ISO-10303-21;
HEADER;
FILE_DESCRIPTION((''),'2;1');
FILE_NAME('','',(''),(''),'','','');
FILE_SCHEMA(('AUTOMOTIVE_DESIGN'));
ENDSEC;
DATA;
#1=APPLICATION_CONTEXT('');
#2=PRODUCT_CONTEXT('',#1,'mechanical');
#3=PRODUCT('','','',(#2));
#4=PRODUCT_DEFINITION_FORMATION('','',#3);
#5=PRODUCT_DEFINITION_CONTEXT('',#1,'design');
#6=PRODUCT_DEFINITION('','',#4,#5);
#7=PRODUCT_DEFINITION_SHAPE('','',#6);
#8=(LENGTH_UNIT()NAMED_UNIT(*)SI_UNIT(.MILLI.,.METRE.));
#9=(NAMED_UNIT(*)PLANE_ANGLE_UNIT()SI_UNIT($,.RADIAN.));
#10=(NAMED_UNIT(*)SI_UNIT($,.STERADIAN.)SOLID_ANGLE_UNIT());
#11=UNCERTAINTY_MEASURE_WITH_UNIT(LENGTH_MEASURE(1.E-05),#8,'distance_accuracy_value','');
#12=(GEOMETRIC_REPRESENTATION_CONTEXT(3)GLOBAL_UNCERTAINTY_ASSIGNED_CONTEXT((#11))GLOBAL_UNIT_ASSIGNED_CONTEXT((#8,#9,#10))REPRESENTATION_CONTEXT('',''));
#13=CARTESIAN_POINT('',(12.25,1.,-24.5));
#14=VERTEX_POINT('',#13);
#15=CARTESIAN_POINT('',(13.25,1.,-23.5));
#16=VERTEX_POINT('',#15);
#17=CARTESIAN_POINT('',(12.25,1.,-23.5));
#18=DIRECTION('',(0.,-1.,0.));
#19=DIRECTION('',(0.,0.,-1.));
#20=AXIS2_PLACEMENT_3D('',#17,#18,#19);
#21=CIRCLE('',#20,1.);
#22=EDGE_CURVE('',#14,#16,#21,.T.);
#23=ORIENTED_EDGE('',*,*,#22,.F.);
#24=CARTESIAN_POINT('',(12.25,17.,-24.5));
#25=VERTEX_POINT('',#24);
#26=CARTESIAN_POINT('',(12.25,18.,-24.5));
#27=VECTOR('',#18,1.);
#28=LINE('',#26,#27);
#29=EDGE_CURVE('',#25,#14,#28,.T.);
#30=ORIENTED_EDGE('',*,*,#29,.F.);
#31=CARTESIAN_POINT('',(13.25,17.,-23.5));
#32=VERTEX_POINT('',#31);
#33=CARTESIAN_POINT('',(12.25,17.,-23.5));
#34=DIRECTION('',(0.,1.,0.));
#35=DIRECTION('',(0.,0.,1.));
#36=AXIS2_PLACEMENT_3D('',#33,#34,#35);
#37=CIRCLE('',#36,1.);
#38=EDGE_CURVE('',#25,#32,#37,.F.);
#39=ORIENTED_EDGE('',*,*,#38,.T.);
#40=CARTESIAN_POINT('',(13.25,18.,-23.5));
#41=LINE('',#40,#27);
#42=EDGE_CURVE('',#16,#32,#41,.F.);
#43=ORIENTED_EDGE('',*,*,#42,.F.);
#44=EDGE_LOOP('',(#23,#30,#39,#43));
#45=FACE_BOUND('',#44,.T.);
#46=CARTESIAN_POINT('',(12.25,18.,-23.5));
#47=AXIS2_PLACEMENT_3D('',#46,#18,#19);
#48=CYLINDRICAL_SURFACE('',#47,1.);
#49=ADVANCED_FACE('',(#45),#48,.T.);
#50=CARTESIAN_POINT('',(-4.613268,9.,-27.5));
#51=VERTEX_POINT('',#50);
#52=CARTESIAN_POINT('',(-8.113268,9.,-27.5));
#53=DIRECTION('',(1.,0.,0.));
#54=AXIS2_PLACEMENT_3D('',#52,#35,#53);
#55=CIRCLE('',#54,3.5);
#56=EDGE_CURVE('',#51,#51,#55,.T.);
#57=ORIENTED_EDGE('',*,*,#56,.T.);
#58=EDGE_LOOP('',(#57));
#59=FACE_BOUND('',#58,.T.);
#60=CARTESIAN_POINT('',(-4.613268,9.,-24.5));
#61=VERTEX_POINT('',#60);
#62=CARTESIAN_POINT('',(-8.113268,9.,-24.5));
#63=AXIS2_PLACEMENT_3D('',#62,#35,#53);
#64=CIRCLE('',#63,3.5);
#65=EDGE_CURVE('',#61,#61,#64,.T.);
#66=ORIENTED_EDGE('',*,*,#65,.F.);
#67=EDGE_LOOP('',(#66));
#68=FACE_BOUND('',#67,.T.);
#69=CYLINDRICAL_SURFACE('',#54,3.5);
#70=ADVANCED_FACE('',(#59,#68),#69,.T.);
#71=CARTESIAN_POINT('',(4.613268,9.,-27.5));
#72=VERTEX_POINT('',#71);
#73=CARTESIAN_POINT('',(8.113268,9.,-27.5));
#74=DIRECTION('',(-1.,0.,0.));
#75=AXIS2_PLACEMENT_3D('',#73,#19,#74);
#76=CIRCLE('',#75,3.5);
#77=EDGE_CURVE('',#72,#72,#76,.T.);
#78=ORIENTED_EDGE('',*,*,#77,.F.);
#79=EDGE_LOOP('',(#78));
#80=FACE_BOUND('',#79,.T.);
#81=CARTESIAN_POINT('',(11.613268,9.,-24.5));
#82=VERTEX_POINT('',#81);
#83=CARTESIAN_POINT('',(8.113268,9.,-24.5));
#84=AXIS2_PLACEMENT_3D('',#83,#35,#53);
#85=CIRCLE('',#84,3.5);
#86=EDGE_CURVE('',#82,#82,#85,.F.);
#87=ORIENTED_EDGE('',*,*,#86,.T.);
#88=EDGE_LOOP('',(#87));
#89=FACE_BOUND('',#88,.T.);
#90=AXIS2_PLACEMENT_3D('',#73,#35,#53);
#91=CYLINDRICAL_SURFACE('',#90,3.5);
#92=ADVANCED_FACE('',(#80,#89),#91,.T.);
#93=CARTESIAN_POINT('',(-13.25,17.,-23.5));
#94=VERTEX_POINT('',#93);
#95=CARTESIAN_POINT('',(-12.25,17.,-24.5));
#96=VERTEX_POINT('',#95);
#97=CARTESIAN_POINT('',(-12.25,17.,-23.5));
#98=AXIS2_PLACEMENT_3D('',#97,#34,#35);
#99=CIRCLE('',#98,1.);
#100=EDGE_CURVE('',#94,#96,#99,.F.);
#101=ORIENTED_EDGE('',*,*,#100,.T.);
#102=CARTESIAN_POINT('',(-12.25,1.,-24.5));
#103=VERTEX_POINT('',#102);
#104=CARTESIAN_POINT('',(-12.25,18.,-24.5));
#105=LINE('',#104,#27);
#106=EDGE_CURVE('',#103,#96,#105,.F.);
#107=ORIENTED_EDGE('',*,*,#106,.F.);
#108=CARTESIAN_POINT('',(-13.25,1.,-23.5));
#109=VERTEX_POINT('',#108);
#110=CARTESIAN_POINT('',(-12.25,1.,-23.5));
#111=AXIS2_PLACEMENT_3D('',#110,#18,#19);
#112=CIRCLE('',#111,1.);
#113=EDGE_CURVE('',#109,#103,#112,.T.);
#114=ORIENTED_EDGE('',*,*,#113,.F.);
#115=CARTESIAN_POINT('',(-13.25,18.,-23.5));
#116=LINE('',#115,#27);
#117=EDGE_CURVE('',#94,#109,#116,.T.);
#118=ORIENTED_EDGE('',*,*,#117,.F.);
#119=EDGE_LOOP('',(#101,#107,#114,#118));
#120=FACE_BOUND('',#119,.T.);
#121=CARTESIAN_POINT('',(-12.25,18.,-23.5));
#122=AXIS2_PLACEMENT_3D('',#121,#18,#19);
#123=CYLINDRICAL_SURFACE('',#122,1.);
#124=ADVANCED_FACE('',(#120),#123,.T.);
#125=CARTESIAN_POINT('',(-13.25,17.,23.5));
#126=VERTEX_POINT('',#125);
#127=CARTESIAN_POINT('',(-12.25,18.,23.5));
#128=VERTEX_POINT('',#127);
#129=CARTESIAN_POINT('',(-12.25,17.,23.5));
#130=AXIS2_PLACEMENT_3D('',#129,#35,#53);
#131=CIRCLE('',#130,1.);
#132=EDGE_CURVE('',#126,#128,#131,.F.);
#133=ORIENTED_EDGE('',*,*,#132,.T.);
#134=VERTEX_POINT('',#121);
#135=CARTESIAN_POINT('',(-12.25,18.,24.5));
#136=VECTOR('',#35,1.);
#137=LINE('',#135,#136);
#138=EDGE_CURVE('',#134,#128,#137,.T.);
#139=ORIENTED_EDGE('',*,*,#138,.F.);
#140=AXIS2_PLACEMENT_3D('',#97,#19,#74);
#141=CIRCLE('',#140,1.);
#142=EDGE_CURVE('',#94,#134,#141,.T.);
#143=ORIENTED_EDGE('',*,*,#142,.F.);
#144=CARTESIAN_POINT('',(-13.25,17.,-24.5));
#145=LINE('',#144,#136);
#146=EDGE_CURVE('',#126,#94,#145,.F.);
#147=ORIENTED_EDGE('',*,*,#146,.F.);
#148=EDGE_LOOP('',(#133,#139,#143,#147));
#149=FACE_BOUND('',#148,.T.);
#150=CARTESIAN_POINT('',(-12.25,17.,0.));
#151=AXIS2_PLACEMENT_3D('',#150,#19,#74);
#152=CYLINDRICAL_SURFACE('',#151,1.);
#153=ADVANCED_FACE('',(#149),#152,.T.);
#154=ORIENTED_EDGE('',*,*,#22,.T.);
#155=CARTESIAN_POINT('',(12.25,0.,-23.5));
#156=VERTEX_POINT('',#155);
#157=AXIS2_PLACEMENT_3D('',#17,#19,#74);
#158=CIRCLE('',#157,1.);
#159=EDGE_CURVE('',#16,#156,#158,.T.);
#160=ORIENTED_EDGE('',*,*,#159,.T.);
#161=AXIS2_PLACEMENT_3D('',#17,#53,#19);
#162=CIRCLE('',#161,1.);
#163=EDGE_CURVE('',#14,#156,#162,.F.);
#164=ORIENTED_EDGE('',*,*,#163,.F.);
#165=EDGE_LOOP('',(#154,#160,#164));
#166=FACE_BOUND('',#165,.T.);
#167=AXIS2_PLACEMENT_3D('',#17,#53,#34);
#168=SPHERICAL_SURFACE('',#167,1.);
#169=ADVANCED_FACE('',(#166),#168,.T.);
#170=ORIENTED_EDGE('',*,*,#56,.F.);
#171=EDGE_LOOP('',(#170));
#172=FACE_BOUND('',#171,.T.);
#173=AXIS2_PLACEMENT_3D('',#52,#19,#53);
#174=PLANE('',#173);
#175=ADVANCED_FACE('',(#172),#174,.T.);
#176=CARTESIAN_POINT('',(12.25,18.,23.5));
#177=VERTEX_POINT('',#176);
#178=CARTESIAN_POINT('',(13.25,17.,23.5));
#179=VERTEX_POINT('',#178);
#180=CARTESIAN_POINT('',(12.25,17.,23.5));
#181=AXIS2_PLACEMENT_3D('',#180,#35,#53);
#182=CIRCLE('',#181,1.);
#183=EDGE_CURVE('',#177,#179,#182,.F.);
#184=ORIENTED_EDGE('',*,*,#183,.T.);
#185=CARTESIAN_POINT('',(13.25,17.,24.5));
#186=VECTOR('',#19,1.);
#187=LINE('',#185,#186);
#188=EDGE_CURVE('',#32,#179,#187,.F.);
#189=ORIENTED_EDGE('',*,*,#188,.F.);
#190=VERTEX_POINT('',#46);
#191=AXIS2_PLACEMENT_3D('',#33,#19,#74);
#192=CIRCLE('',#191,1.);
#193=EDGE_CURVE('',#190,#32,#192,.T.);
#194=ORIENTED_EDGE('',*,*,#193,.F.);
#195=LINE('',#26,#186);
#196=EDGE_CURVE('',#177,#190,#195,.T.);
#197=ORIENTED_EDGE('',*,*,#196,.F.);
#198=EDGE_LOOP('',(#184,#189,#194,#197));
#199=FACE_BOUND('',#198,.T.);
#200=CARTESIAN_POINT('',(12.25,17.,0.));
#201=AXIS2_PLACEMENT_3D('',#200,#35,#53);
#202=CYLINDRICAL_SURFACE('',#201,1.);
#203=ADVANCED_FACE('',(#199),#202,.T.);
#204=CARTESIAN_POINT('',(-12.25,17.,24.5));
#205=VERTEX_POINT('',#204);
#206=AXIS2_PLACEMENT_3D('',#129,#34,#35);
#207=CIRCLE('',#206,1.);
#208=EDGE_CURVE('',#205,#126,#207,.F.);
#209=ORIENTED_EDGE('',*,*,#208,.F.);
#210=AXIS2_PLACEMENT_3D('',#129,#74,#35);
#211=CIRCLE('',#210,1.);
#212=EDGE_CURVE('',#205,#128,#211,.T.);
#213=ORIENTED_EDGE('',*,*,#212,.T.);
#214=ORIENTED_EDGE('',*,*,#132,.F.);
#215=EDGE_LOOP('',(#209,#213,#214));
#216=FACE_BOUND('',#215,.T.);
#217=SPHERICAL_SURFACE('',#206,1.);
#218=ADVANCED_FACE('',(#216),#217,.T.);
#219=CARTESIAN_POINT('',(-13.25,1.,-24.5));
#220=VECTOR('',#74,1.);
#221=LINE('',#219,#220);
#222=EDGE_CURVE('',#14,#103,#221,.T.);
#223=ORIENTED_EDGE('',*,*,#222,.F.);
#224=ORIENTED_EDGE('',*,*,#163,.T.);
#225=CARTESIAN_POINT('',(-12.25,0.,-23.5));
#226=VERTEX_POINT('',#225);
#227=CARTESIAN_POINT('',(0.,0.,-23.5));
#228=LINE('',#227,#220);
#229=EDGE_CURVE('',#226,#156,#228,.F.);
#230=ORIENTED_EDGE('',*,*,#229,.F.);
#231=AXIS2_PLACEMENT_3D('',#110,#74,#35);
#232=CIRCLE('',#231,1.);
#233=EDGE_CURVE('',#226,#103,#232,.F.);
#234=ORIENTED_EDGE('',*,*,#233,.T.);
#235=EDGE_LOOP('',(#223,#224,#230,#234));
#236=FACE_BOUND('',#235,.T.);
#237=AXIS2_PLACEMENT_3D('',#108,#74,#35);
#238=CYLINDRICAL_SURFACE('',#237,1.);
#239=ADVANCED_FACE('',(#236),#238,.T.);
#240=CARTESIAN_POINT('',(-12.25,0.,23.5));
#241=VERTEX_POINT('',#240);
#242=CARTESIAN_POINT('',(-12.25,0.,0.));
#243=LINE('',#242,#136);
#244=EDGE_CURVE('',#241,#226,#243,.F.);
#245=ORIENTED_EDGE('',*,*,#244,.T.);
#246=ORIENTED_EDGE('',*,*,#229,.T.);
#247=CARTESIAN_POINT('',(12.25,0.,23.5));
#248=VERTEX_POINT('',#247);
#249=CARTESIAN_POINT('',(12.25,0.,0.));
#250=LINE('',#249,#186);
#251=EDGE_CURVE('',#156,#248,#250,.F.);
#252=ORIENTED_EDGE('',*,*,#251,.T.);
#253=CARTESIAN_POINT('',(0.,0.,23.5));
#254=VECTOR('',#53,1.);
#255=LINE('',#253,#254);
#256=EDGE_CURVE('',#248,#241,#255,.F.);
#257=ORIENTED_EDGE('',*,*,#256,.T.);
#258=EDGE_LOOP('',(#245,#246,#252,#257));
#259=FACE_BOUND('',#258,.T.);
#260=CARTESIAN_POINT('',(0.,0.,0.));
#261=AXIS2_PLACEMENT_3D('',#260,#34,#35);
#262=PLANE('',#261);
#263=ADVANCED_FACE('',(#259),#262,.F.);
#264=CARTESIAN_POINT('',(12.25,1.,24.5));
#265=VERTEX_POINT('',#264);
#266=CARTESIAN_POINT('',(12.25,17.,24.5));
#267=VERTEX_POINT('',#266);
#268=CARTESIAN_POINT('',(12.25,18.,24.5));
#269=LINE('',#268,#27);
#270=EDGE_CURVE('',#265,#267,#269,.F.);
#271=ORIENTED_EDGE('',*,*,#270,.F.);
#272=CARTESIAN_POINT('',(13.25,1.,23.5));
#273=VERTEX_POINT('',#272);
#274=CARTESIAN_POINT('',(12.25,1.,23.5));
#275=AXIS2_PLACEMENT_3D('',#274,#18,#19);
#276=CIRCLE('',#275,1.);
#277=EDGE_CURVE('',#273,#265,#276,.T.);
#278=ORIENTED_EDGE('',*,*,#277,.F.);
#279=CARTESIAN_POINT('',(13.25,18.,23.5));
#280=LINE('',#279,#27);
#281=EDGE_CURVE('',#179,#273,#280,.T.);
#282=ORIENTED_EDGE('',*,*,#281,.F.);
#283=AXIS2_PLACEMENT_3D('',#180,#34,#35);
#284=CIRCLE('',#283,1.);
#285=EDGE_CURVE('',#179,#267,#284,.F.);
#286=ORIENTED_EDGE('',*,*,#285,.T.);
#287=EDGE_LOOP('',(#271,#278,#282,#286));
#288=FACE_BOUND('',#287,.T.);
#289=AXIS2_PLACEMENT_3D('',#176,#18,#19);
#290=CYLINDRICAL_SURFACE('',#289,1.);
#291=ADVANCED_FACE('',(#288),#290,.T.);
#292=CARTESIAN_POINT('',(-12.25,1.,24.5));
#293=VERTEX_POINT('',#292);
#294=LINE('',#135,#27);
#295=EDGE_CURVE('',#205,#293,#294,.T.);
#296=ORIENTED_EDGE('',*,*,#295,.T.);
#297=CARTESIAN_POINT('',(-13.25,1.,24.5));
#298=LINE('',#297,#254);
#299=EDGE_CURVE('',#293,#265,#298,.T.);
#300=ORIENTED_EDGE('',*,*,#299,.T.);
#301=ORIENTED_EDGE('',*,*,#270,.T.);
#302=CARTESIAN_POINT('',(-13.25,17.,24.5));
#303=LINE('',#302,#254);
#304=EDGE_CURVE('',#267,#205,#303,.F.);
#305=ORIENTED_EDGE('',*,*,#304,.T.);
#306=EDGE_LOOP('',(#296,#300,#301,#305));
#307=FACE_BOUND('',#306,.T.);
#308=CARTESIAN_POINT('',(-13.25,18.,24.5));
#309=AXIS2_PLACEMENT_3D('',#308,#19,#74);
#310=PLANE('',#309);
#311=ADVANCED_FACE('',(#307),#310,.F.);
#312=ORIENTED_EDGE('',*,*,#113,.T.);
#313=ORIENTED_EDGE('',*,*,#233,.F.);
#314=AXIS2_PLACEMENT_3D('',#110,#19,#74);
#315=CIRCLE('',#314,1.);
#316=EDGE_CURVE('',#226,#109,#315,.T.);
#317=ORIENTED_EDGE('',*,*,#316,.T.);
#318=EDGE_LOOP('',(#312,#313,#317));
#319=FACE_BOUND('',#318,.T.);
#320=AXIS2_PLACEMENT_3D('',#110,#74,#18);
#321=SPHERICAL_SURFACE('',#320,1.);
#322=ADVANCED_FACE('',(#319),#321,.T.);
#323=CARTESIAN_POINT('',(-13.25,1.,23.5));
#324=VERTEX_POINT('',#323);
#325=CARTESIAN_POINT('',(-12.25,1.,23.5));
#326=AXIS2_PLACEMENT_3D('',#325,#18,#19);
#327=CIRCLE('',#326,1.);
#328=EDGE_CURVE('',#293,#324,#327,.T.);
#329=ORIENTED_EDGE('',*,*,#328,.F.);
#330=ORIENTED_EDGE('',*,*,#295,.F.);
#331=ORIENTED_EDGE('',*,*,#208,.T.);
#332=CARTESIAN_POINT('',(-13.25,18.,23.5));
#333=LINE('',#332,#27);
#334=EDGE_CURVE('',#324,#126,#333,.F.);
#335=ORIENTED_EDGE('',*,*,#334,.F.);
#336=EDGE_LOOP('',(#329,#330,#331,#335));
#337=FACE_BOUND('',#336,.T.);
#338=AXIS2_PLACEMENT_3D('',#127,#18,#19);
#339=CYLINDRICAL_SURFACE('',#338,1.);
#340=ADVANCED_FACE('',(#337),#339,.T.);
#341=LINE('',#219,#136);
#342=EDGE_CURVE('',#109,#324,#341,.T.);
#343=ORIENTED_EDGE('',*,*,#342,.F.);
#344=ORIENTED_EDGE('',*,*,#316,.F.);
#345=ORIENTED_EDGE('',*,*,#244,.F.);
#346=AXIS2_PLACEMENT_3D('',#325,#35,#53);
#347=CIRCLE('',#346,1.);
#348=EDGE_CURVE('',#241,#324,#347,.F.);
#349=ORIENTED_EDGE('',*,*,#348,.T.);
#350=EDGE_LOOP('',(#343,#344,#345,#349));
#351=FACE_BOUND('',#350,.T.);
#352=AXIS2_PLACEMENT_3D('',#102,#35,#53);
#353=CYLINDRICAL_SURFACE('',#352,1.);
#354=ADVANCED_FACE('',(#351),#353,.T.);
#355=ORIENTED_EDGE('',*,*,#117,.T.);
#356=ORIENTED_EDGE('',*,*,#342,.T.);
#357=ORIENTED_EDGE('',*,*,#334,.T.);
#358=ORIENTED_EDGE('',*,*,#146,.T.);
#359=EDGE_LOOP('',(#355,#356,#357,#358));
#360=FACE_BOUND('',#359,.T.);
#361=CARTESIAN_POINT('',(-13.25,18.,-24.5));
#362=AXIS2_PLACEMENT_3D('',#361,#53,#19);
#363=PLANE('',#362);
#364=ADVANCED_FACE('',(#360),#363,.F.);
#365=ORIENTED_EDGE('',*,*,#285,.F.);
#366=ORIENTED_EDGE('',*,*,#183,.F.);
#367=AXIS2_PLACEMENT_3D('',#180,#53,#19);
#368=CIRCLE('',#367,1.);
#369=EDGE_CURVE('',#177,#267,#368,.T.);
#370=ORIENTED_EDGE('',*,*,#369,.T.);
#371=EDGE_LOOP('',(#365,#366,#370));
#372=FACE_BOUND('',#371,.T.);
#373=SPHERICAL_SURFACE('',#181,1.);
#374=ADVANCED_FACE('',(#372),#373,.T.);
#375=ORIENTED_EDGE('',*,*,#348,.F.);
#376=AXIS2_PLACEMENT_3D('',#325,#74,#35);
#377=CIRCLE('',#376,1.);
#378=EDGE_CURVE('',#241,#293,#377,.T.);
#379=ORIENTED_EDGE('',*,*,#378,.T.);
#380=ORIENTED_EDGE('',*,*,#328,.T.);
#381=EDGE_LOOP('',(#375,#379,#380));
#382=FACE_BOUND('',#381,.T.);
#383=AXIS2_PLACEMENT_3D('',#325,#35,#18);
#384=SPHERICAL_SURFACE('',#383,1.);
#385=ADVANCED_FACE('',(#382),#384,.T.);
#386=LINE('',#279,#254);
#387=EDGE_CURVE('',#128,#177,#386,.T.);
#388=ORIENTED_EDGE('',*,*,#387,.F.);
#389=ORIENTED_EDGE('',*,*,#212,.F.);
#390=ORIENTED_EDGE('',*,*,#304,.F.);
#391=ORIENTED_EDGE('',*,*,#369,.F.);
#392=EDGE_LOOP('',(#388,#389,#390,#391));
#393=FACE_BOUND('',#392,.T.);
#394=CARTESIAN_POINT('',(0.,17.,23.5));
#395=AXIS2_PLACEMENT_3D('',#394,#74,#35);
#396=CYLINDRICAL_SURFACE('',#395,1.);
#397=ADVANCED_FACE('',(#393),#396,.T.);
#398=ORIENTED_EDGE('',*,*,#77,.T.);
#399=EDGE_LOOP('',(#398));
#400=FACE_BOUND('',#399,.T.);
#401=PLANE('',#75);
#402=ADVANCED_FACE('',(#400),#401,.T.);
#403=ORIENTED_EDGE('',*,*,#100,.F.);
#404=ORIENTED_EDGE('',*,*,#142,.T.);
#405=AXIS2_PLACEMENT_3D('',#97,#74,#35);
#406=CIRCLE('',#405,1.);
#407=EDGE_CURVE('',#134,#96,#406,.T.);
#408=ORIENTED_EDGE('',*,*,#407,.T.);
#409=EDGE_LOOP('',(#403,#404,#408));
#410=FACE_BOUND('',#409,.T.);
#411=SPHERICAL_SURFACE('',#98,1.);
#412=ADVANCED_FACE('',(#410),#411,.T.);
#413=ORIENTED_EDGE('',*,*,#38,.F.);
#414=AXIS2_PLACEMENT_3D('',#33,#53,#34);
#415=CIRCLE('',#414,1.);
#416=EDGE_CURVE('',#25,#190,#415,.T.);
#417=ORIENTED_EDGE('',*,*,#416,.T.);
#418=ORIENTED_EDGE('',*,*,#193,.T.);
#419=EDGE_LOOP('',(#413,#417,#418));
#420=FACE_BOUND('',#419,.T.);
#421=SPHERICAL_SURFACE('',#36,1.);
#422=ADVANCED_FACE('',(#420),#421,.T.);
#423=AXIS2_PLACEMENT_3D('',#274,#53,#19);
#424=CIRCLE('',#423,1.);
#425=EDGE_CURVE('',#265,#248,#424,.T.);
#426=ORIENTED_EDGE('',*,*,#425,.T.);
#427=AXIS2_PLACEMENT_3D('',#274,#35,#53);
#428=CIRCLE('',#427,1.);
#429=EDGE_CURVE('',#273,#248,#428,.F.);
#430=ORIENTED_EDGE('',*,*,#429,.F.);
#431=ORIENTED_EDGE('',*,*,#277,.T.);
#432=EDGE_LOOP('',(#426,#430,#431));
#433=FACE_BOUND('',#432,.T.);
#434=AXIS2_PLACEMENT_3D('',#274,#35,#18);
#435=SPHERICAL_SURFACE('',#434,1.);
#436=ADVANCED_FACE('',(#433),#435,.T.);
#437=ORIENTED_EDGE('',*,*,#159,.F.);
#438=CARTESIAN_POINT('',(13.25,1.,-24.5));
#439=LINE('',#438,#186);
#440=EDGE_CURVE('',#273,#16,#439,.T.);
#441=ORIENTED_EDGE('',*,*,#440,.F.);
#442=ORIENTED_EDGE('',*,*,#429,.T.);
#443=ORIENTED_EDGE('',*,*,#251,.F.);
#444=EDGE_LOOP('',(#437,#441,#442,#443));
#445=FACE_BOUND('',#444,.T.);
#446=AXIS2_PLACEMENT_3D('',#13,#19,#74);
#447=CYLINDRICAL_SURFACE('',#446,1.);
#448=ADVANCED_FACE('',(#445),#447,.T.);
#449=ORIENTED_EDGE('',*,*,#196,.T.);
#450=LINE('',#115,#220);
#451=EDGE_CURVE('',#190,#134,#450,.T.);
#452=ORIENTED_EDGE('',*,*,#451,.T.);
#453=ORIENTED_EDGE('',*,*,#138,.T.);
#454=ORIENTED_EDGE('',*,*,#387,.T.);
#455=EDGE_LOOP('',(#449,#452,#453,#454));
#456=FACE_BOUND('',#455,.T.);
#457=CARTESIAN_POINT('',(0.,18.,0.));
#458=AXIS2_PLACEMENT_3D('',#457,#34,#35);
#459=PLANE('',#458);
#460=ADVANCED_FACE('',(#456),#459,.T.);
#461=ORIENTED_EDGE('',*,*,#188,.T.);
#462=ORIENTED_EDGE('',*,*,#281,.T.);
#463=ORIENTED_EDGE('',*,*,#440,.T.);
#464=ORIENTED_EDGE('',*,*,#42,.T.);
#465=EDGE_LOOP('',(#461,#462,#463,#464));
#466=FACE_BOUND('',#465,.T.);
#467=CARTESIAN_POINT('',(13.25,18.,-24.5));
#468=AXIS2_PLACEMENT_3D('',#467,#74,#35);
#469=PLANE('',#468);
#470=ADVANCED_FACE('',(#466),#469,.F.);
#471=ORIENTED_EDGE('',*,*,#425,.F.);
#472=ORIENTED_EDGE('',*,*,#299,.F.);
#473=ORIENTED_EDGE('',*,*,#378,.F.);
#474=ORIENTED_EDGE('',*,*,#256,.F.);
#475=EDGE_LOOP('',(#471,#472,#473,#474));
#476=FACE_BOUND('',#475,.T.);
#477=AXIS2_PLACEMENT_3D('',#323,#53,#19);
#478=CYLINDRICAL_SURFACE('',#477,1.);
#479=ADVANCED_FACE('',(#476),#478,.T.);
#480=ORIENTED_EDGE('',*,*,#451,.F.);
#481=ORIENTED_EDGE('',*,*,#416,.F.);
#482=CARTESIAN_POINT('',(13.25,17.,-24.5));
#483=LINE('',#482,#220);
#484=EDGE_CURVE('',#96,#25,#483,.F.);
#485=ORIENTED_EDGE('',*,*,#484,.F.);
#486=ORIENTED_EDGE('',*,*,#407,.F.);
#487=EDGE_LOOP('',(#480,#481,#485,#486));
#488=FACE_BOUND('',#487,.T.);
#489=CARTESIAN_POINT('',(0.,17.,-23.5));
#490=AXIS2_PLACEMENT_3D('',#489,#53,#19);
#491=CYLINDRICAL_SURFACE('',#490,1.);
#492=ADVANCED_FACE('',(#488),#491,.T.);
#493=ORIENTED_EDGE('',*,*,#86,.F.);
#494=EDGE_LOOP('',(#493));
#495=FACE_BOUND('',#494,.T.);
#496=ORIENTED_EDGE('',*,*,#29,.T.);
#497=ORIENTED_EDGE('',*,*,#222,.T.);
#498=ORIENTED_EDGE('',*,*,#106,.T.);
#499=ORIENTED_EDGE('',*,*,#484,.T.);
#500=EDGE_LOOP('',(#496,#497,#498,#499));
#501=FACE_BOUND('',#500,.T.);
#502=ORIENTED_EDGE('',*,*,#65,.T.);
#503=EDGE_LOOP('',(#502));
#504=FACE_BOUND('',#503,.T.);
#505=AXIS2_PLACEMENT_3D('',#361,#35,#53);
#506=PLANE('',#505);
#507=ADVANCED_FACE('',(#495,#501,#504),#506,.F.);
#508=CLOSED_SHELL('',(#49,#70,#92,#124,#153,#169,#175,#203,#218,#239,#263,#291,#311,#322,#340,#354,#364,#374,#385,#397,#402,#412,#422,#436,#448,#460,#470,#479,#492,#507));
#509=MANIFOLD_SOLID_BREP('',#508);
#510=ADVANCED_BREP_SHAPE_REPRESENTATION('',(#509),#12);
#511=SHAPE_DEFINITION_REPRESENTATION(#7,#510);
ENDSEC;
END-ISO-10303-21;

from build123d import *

# Parameters (mm, degrees)
ESQUISSE1_W        = 26.5
ESQUISSE1_H        = 49
BOSS_EXTRU_1_DEPTH = 18
CONG_1_R           = 1
ESQUISSE2_R        = 3.5
BOSS_EXTRU_2_DEPTH = 3


with BuildPart() as part:
    # Esquisse1 → Boss.-Extru.1 (new body)
    with BuildSketch(Plane(origin=(0, 0, 0), x_dir=(1, 0, 0), z_dir=(0, 1, 0))):
        Rectangle(ESQUISSE1_W, ESQUISSE1_H)
    extrude(amount=BOSS_EXTRU_1_DEPTH)

    # Congé1
    cong_1_edges = [part.edges().sort_by_distance(p)[0] for p in [
        (-13.25, 18, 0),
        (0, 18, 24.5),
        (13.25, 18, 0),
        (0, 0, 24.5),
        (-13.25, 0, 0),
        (0, 0, -24.5),
        (13.25, 0, 0),
        (13.25, 9, 24.5),
        (-13.25, 9, 24.5),
        (-13.25, 9, -24.5),
        (13.25, 9, -24.5),
        (0, 18, -24.5),
    ]]
    fillet(cong_1_edges, radius=CONG_1_R)

    # Esquisse2 → Boss.-Extru.2 (add)
    with BuildSketch(Plane(origin=(0, 0, -24.5), x_dir=(-1, 0, 0), z_dir=(0, 0, -1))):
        with Locations(Location((-8.113267723, 9, 0), (0, 0, 180))):
            Circle(ESQUISSE2_R)
    boss_extru_2 = extrude(amount=BOSS_EXTRU_2_DEPTH)

    # Symétrie1: Boss.-Extru.2 across plane
    add(boss_extru_2.mirror(Plane(origin=(0, 0, 0), x_dir=(0, 0, 1), z_dir=(1, 0, 0))))


solid = part.part
